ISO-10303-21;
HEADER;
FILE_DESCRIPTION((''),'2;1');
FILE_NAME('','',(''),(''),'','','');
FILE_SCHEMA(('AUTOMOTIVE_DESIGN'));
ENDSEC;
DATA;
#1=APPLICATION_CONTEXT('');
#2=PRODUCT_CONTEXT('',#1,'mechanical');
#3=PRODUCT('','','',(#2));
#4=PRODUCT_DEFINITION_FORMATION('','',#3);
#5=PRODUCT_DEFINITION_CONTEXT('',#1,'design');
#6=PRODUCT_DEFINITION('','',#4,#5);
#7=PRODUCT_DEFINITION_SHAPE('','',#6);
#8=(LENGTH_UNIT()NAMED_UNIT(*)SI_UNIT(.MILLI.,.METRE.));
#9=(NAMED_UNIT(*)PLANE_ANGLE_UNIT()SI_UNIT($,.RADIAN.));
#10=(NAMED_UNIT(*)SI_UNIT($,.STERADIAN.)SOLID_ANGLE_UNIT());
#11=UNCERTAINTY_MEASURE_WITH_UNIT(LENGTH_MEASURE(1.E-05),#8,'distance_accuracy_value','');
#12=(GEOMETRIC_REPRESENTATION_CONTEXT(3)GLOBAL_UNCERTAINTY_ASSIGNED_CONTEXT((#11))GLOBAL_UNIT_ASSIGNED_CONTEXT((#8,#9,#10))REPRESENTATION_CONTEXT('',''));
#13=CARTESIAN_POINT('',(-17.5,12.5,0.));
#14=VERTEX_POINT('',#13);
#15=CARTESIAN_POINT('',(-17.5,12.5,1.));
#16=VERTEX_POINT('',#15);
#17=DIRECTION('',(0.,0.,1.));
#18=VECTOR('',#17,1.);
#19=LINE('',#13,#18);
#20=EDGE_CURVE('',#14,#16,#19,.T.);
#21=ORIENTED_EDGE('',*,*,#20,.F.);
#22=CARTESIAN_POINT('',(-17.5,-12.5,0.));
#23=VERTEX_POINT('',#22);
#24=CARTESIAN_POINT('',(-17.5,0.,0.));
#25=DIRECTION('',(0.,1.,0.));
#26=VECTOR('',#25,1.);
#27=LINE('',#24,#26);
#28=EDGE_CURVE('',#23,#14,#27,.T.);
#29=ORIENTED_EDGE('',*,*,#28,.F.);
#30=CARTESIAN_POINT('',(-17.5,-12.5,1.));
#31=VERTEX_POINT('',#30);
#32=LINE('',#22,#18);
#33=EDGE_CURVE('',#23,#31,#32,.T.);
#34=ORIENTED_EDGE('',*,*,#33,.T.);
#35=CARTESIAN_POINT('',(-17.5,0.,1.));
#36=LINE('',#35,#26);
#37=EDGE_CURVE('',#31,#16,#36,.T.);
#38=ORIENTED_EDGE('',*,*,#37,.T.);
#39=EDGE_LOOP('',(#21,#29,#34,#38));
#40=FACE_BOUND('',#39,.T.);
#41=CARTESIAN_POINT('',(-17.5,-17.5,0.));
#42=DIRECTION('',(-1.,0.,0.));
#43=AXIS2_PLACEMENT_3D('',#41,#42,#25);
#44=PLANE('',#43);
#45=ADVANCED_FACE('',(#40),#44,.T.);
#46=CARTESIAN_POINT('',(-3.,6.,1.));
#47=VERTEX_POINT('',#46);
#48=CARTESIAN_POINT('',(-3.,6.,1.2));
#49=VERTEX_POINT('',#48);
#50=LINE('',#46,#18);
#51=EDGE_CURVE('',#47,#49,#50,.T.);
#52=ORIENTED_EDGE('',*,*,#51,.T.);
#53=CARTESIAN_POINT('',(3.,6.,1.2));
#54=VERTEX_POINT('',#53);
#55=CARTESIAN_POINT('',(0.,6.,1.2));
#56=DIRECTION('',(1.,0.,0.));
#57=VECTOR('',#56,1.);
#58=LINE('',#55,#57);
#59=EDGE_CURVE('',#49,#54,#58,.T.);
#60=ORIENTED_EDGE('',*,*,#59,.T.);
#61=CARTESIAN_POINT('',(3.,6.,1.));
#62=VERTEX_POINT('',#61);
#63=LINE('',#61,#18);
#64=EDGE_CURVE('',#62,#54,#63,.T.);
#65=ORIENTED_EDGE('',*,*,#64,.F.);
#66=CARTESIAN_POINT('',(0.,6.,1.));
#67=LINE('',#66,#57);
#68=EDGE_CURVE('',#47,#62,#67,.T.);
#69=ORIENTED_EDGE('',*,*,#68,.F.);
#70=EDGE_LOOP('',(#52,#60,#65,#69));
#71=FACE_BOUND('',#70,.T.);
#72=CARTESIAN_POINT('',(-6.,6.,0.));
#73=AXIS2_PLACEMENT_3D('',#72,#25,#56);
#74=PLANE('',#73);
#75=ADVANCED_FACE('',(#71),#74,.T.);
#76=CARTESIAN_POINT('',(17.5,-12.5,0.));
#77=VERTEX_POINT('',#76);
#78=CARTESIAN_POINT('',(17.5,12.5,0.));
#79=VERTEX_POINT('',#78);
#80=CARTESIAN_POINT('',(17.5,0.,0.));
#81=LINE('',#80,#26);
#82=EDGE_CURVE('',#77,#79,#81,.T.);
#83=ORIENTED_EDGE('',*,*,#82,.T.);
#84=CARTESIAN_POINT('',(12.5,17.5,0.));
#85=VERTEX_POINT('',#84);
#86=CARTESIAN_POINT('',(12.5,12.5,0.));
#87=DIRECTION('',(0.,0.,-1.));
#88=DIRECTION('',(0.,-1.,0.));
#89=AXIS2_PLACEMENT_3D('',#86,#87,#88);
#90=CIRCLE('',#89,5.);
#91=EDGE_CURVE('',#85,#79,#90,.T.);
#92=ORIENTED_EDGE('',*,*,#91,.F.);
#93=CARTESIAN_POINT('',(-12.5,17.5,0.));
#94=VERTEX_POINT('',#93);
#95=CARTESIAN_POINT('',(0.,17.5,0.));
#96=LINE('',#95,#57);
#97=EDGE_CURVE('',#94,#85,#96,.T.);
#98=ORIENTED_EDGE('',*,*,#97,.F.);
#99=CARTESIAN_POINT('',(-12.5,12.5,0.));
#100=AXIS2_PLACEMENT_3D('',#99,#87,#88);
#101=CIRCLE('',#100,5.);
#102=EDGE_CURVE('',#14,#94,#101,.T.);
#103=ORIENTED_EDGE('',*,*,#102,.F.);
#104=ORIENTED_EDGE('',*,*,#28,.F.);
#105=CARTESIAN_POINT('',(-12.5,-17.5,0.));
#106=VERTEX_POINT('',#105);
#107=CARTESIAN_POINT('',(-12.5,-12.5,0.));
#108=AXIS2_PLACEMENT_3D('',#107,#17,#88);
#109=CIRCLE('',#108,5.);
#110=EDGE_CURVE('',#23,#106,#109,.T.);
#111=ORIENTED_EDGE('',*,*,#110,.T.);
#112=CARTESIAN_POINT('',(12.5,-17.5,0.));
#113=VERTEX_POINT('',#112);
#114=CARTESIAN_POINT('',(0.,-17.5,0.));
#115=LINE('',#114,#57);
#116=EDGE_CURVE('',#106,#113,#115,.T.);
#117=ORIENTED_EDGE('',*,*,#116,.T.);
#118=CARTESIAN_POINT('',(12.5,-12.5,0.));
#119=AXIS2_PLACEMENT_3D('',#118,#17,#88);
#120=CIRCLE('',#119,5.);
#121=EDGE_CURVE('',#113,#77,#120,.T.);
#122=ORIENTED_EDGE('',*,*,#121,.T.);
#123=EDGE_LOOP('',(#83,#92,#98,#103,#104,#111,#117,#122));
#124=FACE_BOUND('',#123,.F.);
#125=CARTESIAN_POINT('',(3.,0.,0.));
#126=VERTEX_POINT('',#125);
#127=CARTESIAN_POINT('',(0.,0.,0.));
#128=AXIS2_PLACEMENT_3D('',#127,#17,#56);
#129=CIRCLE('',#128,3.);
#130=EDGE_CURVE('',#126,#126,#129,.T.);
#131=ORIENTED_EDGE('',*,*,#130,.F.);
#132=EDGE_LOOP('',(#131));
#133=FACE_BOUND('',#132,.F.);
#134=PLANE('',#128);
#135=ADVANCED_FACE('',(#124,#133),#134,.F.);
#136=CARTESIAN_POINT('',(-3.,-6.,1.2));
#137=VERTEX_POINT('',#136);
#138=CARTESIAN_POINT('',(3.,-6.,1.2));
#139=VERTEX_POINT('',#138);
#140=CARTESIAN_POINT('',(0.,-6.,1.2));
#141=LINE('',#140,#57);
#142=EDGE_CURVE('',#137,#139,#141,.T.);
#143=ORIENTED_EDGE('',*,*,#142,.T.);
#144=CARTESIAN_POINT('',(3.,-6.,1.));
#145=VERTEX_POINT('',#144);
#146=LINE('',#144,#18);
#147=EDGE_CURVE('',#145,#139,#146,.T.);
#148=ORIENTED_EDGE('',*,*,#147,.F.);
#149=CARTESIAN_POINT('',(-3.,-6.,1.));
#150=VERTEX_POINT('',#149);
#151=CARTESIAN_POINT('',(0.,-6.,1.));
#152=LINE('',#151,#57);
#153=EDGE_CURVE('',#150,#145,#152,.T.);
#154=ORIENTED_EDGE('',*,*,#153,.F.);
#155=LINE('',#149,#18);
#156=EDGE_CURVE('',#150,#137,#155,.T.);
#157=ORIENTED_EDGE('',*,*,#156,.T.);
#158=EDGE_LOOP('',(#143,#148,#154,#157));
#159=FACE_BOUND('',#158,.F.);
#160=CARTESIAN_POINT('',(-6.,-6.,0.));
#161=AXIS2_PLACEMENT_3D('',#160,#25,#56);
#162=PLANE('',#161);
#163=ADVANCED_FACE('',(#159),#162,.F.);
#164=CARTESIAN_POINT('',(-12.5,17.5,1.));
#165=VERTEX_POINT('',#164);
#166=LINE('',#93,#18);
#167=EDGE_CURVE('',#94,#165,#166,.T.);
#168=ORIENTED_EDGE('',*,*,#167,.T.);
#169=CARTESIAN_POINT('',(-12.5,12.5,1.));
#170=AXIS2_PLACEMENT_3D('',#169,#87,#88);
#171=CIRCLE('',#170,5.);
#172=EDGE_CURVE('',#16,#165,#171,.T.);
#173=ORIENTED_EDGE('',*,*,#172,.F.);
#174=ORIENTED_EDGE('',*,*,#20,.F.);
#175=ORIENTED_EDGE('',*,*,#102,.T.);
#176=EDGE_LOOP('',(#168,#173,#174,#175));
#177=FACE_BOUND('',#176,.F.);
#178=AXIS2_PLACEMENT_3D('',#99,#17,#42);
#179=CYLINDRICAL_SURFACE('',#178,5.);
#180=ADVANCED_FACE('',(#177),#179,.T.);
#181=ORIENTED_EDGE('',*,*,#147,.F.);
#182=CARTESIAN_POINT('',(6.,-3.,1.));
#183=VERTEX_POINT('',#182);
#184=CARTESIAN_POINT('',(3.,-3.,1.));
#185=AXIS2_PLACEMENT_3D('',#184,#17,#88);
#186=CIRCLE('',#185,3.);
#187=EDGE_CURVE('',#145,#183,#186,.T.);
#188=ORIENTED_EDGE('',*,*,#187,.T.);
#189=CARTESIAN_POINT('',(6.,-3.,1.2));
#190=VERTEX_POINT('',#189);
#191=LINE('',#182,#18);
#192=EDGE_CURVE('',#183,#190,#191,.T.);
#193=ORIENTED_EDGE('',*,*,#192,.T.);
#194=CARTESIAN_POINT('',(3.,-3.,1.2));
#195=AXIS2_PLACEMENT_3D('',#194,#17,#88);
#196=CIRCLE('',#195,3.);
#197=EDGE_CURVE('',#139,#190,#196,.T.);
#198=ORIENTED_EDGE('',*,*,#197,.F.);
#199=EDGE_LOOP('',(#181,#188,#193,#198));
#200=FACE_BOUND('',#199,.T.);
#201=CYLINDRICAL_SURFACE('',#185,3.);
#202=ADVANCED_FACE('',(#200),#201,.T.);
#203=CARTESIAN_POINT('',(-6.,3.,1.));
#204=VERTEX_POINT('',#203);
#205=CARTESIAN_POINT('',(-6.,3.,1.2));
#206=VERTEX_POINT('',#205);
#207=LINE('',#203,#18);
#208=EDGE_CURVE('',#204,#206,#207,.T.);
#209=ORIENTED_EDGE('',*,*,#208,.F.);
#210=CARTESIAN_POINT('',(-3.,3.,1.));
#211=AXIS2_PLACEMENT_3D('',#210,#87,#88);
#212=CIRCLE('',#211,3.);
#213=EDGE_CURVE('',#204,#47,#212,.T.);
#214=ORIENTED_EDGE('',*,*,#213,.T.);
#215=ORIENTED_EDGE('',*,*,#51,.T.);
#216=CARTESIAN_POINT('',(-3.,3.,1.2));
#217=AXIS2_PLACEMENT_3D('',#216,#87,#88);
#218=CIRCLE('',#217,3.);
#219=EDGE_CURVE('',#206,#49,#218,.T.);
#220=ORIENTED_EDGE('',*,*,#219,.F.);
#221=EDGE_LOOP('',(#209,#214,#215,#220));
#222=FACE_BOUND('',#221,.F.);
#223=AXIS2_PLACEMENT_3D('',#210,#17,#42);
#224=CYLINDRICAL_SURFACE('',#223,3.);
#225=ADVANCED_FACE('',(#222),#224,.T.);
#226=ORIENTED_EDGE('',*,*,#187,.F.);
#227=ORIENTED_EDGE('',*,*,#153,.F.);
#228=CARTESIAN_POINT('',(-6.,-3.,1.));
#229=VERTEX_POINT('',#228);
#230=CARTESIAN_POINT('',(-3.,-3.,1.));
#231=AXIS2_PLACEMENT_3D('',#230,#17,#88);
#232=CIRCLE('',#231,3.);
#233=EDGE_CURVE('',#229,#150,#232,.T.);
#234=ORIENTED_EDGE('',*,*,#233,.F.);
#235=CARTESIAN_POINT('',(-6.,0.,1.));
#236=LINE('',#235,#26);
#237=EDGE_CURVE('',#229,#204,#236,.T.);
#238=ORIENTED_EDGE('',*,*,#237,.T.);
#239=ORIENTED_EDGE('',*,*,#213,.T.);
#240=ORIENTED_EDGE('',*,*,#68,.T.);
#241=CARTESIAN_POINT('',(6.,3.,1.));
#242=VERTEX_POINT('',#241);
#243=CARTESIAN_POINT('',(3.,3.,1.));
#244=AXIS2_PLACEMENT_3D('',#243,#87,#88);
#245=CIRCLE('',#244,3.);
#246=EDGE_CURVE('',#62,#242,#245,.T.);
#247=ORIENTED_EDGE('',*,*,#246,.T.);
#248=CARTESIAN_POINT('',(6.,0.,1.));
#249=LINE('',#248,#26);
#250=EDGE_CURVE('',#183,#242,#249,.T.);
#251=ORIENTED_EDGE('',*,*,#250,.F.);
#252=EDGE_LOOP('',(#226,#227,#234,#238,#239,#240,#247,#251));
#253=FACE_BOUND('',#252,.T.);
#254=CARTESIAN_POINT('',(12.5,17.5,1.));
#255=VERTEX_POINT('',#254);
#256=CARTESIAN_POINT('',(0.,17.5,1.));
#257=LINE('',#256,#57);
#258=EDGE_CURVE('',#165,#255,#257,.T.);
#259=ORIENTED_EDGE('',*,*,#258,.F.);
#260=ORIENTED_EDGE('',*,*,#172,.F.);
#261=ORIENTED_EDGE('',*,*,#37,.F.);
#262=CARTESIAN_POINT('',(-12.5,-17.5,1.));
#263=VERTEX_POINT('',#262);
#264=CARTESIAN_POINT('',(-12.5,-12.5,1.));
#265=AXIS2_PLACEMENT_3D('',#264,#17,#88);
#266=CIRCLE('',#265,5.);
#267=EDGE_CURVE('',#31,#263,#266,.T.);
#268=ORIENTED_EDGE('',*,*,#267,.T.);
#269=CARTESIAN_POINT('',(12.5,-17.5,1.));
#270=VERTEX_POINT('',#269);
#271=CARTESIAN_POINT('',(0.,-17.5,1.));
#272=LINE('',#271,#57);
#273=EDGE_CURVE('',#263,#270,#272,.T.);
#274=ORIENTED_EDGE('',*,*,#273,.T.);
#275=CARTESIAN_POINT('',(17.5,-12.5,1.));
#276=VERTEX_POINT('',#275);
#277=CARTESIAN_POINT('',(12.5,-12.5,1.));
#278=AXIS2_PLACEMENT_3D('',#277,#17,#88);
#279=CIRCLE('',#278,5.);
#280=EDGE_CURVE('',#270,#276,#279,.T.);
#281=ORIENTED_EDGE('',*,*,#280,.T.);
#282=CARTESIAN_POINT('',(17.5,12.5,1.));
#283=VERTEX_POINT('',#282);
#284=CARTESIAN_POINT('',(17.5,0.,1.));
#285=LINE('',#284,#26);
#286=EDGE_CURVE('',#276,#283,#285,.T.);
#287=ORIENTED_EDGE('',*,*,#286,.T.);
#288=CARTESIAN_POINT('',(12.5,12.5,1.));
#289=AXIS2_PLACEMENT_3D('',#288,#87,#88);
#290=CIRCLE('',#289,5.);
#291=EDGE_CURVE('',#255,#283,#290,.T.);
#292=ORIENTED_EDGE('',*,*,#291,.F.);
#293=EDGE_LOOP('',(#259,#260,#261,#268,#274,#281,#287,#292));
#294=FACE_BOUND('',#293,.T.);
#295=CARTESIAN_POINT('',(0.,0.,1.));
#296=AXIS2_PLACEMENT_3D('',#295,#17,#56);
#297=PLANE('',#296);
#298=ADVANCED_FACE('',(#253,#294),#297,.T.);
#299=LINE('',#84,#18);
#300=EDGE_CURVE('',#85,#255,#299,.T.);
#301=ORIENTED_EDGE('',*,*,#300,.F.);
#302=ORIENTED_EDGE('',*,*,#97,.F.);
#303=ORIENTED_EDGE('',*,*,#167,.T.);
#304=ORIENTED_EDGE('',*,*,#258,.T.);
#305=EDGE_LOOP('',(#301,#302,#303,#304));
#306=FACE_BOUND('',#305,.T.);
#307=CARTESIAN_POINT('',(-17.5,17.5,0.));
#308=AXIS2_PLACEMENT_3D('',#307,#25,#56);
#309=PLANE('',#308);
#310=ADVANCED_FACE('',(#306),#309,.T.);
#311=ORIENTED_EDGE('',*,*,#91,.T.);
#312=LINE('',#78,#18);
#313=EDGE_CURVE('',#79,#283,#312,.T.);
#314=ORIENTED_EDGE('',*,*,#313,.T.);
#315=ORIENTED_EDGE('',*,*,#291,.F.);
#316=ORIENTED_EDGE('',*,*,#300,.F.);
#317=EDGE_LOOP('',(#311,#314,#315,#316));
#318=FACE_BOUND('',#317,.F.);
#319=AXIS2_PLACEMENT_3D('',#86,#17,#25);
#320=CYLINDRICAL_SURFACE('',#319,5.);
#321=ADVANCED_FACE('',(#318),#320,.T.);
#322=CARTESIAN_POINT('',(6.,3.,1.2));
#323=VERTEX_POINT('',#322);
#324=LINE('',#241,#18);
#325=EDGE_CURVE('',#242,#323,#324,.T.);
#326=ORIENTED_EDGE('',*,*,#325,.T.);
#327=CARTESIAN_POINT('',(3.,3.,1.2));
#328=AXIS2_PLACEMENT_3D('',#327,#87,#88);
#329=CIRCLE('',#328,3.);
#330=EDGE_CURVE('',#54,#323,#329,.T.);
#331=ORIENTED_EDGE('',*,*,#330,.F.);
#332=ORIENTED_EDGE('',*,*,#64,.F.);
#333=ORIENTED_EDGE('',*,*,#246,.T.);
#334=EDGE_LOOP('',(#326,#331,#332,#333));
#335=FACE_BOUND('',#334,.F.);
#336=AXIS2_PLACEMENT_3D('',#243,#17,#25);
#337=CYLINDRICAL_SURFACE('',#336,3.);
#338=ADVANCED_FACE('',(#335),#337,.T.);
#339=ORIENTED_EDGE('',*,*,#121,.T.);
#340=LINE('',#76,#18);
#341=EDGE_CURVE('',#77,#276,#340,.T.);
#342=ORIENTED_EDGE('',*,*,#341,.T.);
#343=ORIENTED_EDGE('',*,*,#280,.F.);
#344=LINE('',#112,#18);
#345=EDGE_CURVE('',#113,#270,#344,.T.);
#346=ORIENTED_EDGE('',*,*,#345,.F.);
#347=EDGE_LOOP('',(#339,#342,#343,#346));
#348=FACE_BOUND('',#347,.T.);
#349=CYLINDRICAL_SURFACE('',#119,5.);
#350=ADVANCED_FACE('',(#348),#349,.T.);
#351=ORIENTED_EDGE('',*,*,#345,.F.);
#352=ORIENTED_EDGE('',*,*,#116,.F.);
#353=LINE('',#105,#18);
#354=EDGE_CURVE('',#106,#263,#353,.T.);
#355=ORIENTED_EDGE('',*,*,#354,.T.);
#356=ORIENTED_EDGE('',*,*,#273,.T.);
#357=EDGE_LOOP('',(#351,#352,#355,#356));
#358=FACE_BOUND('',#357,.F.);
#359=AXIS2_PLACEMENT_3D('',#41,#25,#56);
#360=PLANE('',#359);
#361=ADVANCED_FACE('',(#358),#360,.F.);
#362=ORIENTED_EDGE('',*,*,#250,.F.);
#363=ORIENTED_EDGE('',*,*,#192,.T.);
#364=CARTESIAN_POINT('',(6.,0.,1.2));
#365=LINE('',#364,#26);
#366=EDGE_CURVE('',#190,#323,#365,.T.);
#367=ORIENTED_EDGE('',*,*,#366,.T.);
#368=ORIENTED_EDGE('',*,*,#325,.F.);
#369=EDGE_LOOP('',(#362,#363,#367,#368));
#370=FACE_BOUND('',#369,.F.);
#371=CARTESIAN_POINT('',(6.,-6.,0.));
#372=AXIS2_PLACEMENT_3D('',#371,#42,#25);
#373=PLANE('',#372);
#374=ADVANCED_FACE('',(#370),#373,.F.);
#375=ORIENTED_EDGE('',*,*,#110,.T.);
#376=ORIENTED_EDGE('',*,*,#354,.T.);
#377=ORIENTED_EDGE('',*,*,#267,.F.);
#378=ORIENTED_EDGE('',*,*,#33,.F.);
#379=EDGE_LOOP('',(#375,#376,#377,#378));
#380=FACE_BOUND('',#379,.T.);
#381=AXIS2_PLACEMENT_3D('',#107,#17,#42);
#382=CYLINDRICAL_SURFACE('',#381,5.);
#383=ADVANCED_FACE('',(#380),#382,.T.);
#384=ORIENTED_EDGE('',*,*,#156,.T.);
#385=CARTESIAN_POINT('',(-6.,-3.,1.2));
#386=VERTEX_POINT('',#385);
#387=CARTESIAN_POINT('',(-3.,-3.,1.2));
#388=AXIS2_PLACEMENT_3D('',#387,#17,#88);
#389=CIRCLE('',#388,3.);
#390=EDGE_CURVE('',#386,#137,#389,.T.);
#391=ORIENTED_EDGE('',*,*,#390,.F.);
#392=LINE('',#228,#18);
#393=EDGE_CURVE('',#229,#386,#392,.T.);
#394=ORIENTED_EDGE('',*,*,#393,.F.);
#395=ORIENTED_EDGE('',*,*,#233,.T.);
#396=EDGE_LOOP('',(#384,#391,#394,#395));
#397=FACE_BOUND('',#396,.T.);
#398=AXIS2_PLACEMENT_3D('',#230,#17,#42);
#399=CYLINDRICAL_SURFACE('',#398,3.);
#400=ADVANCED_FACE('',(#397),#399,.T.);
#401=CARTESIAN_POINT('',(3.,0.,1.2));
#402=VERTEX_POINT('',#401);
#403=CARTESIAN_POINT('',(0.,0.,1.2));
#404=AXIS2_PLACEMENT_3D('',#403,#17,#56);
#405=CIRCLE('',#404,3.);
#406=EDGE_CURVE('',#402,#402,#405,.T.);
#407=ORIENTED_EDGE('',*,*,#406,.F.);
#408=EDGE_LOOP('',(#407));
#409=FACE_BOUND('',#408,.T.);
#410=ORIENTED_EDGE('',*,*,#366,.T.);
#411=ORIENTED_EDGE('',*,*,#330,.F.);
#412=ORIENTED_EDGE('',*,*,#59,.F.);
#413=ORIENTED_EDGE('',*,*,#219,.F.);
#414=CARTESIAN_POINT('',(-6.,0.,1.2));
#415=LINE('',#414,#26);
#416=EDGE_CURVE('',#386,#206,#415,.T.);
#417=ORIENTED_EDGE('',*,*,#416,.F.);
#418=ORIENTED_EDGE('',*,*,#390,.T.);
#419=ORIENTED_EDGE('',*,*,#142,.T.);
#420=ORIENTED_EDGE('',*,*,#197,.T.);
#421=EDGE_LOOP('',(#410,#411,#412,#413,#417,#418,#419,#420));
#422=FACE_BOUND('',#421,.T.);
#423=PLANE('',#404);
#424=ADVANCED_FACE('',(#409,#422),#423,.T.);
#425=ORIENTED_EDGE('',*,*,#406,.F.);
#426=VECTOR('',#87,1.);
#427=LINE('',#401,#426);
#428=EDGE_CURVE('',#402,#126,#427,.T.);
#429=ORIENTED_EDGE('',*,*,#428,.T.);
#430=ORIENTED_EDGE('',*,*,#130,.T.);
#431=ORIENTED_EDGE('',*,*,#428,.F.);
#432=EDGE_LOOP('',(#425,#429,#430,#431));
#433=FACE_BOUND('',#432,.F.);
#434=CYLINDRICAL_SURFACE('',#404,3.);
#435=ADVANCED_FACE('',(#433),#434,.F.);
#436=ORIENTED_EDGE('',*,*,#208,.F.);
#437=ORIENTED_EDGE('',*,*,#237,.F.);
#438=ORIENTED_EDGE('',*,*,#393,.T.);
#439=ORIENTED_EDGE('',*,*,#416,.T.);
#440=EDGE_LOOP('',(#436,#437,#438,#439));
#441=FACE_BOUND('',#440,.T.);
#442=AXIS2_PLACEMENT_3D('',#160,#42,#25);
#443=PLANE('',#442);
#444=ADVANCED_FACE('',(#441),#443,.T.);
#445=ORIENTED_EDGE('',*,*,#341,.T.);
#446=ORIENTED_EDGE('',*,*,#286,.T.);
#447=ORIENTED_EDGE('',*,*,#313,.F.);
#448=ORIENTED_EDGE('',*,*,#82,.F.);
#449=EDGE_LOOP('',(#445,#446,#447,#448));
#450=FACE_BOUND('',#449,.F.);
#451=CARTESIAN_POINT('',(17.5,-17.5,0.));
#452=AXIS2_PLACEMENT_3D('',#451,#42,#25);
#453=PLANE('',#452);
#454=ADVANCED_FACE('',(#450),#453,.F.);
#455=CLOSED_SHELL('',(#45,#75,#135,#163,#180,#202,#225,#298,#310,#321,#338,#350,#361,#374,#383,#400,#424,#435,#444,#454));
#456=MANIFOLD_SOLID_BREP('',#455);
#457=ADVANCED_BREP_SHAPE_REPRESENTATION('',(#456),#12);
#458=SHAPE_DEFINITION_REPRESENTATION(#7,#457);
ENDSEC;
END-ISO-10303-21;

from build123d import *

# Parameters (mm, degrees)
F0_W     = 35
F0_H     = 35
F0_W_2   = 12
F0_H_2   = 12
F1_DEPTH = 1
F2_DEPTH = 1.2
F3_R     = 3
F4_R     = 5
F5_R     = 3
F6_DEPTH = 25


with BuildPart() as f1:
    # F0 (on Top) → F1 (new body)
    with BuildSketch(Plane.XY):
        Rectangle(F0_W, F0_H)
        Rectangle(F0_W_2, F0_H_2, mode=Mode.SUBTRACT)
    extrude(amount=F1_DEPTH)

    # F0 (on Top) → F2 (join)
    with BuildSketch(Plane.XY):
        Rectangle(F0_W_2, F0_H_2)
    extrude(amount=F2_DEPTH)

    # F3
    f3_edges = [f1.edges().sort_by_distance(p)[0] for p in [
        (-6, -6, 1.1),
        (6, -6, 1.1),
        (6, 6, 1.1),
        (-6, 6, 1.1),
    ]]
    fillet(f3_edges, radius=F3_R)

    # F4
    f4_edges = [f1.edges().sort_by_distance(p)[0] for p in [
        (-17.5, -17.5, 0.5),
        (17.5, -17.5, 0.5),
        (17.5, 17.5, 0.5),
        (-17.5, 17.5, 0.5),
    ]]
    fillet(f4_edges, radius=F4_R)

    # F5 (on face) → F6 (cut)
    with BuildSketch(Plane.XY.offset(1.2)):
        Circle(F5_R)
    extrude(amount=-F6_DEPTH, mode=Mode.SUBTRACT)


solid = f1.part
